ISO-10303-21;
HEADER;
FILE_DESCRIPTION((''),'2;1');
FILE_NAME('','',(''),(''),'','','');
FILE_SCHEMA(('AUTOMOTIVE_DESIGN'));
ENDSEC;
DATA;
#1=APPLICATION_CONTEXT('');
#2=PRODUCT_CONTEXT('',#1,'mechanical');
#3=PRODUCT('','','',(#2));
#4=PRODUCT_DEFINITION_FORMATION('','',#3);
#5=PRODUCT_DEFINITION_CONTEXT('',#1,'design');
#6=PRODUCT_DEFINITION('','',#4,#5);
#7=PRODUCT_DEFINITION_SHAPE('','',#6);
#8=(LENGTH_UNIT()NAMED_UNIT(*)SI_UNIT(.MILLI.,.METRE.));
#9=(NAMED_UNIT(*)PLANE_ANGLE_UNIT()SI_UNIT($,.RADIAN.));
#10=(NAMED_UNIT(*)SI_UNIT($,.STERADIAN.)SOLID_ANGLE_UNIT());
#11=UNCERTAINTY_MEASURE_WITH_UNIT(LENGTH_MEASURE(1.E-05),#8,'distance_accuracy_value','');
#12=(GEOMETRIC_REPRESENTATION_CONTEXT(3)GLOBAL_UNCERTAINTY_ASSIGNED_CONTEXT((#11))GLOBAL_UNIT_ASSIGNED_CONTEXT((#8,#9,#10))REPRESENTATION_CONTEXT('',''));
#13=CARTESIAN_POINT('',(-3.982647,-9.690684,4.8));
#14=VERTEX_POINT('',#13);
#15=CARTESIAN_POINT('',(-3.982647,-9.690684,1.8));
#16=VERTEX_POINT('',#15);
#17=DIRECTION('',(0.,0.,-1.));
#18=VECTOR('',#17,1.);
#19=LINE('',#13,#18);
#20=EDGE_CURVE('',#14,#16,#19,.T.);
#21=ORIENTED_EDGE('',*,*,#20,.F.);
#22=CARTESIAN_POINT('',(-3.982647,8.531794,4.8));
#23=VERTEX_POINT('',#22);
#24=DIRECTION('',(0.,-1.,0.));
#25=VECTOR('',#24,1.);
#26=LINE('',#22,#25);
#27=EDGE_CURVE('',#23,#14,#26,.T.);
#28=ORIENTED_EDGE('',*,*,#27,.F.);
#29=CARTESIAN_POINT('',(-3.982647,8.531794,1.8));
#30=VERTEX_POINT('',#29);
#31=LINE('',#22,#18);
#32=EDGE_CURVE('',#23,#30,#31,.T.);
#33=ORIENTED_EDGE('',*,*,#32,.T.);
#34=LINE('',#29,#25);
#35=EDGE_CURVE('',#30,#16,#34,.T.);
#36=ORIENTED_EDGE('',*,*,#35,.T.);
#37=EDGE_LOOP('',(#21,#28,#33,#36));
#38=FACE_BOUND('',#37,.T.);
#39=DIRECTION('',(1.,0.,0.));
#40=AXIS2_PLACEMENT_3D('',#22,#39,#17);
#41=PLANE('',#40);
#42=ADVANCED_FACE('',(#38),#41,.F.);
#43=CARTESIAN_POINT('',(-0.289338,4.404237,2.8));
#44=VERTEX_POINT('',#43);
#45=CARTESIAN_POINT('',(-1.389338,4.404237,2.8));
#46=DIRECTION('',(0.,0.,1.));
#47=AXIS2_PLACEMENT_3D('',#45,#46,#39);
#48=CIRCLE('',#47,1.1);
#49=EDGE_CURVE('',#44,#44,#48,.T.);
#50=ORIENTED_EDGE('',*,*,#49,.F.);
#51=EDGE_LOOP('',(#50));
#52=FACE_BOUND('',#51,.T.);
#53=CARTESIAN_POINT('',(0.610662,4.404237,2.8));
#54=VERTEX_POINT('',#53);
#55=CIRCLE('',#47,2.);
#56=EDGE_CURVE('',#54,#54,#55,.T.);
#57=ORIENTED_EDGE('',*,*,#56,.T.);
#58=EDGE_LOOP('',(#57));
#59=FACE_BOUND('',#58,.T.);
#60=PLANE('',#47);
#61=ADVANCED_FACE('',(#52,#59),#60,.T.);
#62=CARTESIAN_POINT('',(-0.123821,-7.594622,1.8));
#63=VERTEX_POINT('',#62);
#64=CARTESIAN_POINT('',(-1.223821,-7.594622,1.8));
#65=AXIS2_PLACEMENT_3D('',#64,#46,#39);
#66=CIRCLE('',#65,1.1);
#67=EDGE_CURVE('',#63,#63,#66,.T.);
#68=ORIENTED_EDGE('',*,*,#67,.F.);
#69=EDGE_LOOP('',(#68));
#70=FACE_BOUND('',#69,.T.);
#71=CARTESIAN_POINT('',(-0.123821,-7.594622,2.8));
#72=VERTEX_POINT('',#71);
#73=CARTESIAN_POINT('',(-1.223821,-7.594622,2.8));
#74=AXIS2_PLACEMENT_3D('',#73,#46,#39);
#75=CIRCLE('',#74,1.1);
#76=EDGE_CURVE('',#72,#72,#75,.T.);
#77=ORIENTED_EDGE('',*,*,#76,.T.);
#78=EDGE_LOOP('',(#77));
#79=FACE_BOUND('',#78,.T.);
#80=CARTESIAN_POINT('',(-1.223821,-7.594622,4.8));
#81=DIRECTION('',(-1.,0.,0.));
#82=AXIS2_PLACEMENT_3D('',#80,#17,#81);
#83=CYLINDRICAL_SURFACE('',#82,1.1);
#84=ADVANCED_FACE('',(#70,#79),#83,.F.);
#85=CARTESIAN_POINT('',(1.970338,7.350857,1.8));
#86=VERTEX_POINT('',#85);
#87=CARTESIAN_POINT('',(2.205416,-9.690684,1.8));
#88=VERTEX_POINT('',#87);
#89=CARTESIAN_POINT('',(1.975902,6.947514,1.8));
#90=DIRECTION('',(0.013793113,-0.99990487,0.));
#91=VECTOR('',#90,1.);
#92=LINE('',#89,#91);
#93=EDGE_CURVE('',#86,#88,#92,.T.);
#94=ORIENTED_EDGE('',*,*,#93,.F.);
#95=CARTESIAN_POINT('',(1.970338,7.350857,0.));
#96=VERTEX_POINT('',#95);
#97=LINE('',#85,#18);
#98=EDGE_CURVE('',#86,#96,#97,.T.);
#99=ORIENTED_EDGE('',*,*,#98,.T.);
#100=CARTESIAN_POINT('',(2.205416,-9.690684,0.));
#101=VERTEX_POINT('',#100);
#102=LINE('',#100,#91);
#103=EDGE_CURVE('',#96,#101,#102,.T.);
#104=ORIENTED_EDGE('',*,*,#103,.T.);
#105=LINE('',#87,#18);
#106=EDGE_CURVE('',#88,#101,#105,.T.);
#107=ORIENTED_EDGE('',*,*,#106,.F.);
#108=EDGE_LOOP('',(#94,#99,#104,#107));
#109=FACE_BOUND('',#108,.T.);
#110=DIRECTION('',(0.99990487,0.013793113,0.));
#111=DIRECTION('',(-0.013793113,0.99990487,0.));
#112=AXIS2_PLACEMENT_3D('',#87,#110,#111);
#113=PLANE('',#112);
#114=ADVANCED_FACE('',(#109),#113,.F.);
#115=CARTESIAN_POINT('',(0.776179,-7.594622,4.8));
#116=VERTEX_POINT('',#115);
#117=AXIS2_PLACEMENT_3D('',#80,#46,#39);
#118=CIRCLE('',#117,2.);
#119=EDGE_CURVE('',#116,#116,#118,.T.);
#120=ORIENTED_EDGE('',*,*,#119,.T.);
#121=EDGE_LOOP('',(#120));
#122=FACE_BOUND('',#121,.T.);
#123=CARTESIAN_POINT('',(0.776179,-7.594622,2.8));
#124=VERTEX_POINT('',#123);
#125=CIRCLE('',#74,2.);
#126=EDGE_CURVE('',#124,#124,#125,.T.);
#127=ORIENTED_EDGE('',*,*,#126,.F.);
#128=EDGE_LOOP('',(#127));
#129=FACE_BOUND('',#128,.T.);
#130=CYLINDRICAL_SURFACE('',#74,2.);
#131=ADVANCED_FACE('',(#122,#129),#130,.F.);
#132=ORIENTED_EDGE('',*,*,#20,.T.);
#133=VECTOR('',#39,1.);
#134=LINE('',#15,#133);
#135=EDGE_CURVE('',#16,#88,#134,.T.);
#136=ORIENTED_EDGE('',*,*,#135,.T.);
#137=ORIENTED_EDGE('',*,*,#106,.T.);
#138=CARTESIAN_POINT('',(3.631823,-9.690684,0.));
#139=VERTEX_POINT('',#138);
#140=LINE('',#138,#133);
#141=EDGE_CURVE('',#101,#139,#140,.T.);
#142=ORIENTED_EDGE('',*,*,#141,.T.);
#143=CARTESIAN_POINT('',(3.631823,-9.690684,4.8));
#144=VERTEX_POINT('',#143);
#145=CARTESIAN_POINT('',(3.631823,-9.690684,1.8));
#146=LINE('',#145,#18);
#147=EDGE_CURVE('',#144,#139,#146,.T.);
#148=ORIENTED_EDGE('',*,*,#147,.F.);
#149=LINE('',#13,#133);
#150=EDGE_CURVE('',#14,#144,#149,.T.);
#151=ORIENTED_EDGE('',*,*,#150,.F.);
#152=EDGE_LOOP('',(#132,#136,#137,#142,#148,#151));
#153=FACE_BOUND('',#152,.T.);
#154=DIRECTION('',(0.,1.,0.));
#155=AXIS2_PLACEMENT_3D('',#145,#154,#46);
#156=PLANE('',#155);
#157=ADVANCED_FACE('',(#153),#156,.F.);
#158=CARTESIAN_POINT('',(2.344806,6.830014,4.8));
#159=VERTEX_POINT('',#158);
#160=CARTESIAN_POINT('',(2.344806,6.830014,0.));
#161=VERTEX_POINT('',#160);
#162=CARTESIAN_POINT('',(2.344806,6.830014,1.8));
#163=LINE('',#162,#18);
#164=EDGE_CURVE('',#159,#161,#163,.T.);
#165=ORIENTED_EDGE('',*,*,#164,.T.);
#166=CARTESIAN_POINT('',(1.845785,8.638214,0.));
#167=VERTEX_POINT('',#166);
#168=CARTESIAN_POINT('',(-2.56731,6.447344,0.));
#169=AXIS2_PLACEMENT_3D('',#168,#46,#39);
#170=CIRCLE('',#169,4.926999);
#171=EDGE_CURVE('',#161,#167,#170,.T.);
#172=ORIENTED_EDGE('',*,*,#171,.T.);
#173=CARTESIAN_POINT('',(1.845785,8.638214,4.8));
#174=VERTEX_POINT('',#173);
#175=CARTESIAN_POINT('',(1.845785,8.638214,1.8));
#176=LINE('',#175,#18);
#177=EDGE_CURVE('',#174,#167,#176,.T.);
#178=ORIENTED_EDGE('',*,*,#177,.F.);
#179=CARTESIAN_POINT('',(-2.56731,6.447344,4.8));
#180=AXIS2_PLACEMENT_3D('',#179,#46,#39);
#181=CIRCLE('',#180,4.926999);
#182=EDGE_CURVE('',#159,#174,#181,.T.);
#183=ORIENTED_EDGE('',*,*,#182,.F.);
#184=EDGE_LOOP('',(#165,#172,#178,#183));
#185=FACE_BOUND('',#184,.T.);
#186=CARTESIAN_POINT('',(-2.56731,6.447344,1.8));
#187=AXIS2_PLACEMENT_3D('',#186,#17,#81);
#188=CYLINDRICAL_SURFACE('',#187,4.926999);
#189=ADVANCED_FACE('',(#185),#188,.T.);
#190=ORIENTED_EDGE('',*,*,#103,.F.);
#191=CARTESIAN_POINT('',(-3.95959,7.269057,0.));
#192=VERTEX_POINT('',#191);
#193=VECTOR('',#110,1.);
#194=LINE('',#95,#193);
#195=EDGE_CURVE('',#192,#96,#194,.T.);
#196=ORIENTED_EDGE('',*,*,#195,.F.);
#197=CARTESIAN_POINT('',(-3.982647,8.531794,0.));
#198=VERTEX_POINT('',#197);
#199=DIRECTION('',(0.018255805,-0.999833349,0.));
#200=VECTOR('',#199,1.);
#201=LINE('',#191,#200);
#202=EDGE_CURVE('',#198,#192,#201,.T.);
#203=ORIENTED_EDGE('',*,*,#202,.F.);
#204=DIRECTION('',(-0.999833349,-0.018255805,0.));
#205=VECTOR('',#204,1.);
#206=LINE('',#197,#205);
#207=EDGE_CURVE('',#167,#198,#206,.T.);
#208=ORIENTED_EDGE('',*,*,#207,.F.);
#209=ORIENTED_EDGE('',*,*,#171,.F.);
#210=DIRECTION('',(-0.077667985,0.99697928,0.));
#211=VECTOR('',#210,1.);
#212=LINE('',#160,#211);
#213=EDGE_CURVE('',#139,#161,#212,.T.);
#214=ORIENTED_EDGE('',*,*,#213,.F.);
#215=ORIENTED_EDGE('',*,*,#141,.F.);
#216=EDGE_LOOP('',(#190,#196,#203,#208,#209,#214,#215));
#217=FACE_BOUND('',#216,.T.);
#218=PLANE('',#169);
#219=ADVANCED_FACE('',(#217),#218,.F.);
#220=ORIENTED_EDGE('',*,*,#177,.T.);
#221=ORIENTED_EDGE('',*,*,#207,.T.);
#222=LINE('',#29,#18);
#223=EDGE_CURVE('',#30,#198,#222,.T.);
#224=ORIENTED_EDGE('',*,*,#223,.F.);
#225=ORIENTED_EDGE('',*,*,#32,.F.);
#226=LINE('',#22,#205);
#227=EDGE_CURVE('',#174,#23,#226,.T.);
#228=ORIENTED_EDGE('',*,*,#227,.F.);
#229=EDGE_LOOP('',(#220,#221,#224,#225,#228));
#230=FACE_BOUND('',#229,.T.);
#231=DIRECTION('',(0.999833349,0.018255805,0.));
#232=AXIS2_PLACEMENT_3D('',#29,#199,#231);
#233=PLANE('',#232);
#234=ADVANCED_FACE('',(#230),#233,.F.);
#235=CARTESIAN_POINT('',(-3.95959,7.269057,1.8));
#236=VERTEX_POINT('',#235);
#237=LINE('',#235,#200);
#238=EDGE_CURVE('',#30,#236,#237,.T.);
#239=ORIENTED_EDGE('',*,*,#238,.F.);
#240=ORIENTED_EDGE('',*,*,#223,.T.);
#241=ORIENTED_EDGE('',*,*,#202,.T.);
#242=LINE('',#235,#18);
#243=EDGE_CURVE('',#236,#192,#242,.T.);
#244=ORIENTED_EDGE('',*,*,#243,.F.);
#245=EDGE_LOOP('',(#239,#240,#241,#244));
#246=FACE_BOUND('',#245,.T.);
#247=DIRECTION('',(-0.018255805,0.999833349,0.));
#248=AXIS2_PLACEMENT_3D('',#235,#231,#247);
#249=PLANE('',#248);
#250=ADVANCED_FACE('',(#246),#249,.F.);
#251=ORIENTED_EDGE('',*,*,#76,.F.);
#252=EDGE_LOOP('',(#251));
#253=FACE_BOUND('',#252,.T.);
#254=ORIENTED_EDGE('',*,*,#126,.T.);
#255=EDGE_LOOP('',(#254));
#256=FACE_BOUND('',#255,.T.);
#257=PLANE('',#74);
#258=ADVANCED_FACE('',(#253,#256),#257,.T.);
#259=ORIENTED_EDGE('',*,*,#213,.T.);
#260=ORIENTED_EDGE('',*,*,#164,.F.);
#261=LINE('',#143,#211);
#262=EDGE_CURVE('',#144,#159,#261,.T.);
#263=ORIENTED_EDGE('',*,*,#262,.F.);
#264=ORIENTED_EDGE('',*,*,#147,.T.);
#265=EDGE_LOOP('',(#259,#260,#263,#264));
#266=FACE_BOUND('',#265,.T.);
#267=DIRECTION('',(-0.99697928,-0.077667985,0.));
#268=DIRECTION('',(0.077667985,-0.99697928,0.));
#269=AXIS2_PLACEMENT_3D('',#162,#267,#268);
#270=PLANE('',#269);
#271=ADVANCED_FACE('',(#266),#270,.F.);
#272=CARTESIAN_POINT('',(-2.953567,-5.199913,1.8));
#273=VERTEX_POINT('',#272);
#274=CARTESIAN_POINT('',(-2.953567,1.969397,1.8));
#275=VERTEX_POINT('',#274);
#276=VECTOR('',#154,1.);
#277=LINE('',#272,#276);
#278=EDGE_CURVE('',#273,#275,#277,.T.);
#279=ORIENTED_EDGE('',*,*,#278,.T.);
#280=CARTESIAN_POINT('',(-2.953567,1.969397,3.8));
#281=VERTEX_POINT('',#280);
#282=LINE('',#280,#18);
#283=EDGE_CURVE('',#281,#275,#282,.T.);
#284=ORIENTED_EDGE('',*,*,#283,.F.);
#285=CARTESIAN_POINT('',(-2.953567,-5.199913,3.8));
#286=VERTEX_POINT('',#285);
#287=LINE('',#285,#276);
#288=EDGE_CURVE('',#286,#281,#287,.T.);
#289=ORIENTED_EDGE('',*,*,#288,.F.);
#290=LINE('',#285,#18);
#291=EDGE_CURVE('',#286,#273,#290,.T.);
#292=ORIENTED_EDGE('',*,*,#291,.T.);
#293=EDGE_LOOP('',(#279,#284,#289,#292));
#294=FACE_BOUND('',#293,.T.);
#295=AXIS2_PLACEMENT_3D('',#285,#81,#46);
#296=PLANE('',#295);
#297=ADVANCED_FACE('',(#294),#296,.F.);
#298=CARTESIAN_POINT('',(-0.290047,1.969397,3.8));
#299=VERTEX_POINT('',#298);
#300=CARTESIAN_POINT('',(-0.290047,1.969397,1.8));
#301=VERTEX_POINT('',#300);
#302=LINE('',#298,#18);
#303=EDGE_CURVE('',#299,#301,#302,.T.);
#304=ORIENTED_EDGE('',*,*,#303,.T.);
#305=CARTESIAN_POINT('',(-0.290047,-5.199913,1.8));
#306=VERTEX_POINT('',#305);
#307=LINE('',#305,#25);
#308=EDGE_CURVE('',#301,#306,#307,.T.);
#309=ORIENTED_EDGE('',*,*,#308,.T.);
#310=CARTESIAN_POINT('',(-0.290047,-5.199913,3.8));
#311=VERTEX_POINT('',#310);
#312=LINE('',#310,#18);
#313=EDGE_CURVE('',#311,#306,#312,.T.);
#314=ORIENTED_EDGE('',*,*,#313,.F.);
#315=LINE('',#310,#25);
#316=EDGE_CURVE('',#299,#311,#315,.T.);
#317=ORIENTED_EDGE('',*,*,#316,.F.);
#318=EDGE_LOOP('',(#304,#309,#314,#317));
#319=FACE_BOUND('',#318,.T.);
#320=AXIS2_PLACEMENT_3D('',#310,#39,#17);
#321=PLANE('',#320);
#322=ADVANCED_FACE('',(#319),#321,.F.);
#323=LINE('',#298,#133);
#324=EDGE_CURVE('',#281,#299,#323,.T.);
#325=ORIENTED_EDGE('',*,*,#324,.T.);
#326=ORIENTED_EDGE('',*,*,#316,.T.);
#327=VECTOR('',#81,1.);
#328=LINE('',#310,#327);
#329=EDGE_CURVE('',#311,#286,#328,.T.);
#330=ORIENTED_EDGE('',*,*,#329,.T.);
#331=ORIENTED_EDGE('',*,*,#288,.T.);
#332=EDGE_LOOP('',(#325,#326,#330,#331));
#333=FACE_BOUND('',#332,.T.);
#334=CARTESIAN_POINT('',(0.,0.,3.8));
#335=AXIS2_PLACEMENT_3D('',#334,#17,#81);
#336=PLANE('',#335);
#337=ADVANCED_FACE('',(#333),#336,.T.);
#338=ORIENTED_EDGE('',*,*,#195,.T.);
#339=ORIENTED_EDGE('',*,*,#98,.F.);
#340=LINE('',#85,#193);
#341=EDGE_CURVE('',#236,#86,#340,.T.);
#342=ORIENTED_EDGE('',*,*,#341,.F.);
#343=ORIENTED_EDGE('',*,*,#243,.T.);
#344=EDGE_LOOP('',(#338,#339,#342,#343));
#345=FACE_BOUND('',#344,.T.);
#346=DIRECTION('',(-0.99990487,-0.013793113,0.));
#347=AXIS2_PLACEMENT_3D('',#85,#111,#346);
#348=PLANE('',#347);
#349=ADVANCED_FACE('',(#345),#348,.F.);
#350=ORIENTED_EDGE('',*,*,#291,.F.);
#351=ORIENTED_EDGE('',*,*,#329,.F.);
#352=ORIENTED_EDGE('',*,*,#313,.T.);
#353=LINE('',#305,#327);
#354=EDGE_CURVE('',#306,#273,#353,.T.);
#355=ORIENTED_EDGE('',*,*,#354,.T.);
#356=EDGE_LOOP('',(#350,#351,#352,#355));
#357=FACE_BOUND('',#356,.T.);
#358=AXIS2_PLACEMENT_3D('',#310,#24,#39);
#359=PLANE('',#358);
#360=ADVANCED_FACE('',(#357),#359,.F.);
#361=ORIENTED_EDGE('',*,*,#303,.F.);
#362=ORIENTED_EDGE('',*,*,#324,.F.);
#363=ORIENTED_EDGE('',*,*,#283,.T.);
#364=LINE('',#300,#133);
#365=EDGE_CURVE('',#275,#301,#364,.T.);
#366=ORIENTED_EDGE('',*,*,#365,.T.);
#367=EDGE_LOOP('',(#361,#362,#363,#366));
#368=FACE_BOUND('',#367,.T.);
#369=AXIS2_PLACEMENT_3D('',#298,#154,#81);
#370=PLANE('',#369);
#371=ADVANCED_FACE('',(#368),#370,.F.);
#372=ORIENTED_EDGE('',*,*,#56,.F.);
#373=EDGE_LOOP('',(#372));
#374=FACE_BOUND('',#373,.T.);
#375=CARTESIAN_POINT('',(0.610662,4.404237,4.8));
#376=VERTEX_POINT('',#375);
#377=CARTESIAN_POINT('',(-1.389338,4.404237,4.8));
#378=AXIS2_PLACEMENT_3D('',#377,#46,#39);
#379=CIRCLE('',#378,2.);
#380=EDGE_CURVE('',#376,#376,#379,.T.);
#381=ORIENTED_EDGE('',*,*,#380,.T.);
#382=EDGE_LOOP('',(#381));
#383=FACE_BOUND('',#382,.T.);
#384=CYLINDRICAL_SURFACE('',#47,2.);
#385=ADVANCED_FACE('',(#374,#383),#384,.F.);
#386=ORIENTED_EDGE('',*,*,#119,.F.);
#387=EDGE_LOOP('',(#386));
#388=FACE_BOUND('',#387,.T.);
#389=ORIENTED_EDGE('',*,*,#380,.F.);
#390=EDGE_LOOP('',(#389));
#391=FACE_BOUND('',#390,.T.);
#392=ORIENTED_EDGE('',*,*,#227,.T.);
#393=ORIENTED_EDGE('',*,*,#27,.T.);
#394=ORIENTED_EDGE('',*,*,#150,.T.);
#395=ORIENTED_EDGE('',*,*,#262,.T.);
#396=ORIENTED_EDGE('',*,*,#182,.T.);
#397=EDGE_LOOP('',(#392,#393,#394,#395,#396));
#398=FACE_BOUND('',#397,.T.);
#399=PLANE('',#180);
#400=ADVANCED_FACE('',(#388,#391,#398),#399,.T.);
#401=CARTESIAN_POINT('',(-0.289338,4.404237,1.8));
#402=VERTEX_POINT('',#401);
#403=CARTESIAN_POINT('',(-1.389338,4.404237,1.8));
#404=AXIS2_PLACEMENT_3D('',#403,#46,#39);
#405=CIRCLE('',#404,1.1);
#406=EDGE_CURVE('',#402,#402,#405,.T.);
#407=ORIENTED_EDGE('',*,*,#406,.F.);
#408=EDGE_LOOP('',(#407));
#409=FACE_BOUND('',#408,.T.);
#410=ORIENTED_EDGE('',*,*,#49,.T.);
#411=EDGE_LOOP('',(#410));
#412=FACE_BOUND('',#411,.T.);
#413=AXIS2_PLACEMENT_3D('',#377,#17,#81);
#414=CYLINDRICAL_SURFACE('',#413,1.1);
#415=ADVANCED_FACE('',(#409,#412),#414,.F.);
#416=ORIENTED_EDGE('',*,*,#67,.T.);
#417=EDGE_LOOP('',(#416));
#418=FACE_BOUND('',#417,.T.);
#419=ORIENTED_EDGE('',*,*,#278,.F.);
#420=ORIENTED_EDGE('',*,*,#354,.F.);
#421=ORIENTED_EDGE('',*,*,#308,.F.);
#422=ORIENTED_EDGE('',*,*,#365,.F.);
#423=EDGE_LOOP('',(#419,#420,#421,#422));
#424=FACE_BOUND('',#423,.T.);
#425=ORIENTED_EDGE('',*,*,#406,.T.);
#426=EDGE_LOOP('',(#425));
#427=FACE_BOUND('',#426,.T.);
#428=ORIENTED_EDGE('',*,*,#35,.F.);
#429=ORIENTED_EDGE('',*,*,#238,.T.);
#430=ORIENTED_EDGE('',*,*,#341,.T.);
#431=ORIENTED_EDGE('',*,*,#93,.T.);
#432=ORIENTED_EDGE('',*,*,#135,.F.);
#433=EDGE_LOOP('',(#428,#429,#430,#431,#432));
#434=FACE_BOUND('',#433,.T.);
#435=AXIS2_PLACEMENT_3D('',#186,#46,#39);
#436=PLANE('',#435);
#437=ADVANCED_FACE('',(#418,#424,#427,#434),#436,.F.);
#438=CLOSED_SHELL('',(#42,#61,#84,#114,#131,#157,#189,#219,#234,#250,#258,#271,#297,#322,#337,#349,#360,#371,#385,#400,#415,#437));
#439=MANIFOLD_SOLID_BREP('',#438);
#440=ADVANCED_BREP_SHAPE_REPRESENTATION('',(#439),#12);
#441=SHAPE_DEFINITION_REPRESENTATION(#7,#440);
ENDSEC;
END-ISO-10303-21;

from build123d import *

# Parameters (mm, degrees)
BOSS_EXTRUDE1_DEPTH = 1.8
SKETCH3_R           = 1.1
BOSS_EXTRUDE2_DEPTH = 3
SKETCH4_W           = 2.663520563
SKETCH4_H           = 7.169309516
CUT_EXTRUDE1_DEPTH  = 2
SKETCH5_R           = 2
CUT_EXTRUDE2_DEPTH  = 2


with BuildPart() as part:
    # Sketch1 → Boss-Extrude1 (new body)
    with BuildSketch(Plane(origin=(0, 0, 0), x_dir=(0, 1, 0), z_dir=(0, 0, 1))):
        with BuildLine():
            Line((6.830014349, -2.344806069), (-9.690684049, -3.631823148))
            Line((-9.690684049, -3.631823148), (-9.690684049, -2.205416312))
            Line((-9.690684049, -2.205416312), (6.947514193, -1.975901922))
            Line((6.947514193, -1.975901922), (7.350857331, -1.970338035))
            Line((7.350857331, -1.970338035), (7.269057374, 3.9595904))
            Line((7.269057374, 3.9595904), (8.531793523, 3.982646507))
            Line((8.531793523, 3.982646507), (8.638213972, -1.845785322))
            ThreePointArc((8.638213972, -1.845785322), (7.758081535, -2.182141378), (6.830014349, -2.344806069))
        make_face()
    extrude(amount=BOSS_EXTRUDE1_DEPTH)

    # Sketch3 → Boss-Extrude2 (add)
    with BuildSketch(Plane.XY.offset(1.8)):
        with BuildLine():
            Line((-3.982646507, 8.531793523), (-3.982646507, -9.690684049))
            Line((-3.982646507, -9.690684049), (3.631823148, -9.690684049))
            Line((3.631823148, -9.690684049), (2.344806069, 6.830014349))
            ThreePointArc((2.344806069, 6.830014349), (2.182141378, 7.758081535), (1.845785322, 8.638213972))
            Line((1.845785322, 8.638213972), (-3.982646507, 8.531793523))
        make_face()
        with Locations((-1.223821134, -7.594621825)):
            Circle(SKETCH3_R, mode=Mode.SUBTRACT)
        with Locations((-1.389338495, 4.404236621)):
            Circle(SKETCH3_R, mode=Mode.SUBTRACT)
    extrude(amount=BOSS_EXTRUDE2_DEPTH)

    # Sketch4 → Cut-Extrude1 (cut)
    with BuildSketch(Plane(origin=(0, 0, 1.8), x_dir=(1, 0, 0), z_dir=(0, 0, -1))):
        with Locations((-1.621806935, 1.615257833)):
            Rectangle(SKETCH4_W, SKETCH4_H)
    extrude(amount=-CUT_EXTRUDE1_DEPTH, mode=Mode.SUBTRACT)

    # Sketch5 → Cut-Extrude2 (cut)
    with BuildSketch(Plane.XY.offset(4.8)):
        with Locations((-1.389338495, 4.404236621)):
            Circle(SKETCH5_R)
        with Locations((-1.223821134, -7.594621825)):
            Circle(SKETCH5_R)
    extrude(amount=-CUT_EXTRUDE2_DEPTH, mode=Mode.SUBTRACT)


solid = part.part
